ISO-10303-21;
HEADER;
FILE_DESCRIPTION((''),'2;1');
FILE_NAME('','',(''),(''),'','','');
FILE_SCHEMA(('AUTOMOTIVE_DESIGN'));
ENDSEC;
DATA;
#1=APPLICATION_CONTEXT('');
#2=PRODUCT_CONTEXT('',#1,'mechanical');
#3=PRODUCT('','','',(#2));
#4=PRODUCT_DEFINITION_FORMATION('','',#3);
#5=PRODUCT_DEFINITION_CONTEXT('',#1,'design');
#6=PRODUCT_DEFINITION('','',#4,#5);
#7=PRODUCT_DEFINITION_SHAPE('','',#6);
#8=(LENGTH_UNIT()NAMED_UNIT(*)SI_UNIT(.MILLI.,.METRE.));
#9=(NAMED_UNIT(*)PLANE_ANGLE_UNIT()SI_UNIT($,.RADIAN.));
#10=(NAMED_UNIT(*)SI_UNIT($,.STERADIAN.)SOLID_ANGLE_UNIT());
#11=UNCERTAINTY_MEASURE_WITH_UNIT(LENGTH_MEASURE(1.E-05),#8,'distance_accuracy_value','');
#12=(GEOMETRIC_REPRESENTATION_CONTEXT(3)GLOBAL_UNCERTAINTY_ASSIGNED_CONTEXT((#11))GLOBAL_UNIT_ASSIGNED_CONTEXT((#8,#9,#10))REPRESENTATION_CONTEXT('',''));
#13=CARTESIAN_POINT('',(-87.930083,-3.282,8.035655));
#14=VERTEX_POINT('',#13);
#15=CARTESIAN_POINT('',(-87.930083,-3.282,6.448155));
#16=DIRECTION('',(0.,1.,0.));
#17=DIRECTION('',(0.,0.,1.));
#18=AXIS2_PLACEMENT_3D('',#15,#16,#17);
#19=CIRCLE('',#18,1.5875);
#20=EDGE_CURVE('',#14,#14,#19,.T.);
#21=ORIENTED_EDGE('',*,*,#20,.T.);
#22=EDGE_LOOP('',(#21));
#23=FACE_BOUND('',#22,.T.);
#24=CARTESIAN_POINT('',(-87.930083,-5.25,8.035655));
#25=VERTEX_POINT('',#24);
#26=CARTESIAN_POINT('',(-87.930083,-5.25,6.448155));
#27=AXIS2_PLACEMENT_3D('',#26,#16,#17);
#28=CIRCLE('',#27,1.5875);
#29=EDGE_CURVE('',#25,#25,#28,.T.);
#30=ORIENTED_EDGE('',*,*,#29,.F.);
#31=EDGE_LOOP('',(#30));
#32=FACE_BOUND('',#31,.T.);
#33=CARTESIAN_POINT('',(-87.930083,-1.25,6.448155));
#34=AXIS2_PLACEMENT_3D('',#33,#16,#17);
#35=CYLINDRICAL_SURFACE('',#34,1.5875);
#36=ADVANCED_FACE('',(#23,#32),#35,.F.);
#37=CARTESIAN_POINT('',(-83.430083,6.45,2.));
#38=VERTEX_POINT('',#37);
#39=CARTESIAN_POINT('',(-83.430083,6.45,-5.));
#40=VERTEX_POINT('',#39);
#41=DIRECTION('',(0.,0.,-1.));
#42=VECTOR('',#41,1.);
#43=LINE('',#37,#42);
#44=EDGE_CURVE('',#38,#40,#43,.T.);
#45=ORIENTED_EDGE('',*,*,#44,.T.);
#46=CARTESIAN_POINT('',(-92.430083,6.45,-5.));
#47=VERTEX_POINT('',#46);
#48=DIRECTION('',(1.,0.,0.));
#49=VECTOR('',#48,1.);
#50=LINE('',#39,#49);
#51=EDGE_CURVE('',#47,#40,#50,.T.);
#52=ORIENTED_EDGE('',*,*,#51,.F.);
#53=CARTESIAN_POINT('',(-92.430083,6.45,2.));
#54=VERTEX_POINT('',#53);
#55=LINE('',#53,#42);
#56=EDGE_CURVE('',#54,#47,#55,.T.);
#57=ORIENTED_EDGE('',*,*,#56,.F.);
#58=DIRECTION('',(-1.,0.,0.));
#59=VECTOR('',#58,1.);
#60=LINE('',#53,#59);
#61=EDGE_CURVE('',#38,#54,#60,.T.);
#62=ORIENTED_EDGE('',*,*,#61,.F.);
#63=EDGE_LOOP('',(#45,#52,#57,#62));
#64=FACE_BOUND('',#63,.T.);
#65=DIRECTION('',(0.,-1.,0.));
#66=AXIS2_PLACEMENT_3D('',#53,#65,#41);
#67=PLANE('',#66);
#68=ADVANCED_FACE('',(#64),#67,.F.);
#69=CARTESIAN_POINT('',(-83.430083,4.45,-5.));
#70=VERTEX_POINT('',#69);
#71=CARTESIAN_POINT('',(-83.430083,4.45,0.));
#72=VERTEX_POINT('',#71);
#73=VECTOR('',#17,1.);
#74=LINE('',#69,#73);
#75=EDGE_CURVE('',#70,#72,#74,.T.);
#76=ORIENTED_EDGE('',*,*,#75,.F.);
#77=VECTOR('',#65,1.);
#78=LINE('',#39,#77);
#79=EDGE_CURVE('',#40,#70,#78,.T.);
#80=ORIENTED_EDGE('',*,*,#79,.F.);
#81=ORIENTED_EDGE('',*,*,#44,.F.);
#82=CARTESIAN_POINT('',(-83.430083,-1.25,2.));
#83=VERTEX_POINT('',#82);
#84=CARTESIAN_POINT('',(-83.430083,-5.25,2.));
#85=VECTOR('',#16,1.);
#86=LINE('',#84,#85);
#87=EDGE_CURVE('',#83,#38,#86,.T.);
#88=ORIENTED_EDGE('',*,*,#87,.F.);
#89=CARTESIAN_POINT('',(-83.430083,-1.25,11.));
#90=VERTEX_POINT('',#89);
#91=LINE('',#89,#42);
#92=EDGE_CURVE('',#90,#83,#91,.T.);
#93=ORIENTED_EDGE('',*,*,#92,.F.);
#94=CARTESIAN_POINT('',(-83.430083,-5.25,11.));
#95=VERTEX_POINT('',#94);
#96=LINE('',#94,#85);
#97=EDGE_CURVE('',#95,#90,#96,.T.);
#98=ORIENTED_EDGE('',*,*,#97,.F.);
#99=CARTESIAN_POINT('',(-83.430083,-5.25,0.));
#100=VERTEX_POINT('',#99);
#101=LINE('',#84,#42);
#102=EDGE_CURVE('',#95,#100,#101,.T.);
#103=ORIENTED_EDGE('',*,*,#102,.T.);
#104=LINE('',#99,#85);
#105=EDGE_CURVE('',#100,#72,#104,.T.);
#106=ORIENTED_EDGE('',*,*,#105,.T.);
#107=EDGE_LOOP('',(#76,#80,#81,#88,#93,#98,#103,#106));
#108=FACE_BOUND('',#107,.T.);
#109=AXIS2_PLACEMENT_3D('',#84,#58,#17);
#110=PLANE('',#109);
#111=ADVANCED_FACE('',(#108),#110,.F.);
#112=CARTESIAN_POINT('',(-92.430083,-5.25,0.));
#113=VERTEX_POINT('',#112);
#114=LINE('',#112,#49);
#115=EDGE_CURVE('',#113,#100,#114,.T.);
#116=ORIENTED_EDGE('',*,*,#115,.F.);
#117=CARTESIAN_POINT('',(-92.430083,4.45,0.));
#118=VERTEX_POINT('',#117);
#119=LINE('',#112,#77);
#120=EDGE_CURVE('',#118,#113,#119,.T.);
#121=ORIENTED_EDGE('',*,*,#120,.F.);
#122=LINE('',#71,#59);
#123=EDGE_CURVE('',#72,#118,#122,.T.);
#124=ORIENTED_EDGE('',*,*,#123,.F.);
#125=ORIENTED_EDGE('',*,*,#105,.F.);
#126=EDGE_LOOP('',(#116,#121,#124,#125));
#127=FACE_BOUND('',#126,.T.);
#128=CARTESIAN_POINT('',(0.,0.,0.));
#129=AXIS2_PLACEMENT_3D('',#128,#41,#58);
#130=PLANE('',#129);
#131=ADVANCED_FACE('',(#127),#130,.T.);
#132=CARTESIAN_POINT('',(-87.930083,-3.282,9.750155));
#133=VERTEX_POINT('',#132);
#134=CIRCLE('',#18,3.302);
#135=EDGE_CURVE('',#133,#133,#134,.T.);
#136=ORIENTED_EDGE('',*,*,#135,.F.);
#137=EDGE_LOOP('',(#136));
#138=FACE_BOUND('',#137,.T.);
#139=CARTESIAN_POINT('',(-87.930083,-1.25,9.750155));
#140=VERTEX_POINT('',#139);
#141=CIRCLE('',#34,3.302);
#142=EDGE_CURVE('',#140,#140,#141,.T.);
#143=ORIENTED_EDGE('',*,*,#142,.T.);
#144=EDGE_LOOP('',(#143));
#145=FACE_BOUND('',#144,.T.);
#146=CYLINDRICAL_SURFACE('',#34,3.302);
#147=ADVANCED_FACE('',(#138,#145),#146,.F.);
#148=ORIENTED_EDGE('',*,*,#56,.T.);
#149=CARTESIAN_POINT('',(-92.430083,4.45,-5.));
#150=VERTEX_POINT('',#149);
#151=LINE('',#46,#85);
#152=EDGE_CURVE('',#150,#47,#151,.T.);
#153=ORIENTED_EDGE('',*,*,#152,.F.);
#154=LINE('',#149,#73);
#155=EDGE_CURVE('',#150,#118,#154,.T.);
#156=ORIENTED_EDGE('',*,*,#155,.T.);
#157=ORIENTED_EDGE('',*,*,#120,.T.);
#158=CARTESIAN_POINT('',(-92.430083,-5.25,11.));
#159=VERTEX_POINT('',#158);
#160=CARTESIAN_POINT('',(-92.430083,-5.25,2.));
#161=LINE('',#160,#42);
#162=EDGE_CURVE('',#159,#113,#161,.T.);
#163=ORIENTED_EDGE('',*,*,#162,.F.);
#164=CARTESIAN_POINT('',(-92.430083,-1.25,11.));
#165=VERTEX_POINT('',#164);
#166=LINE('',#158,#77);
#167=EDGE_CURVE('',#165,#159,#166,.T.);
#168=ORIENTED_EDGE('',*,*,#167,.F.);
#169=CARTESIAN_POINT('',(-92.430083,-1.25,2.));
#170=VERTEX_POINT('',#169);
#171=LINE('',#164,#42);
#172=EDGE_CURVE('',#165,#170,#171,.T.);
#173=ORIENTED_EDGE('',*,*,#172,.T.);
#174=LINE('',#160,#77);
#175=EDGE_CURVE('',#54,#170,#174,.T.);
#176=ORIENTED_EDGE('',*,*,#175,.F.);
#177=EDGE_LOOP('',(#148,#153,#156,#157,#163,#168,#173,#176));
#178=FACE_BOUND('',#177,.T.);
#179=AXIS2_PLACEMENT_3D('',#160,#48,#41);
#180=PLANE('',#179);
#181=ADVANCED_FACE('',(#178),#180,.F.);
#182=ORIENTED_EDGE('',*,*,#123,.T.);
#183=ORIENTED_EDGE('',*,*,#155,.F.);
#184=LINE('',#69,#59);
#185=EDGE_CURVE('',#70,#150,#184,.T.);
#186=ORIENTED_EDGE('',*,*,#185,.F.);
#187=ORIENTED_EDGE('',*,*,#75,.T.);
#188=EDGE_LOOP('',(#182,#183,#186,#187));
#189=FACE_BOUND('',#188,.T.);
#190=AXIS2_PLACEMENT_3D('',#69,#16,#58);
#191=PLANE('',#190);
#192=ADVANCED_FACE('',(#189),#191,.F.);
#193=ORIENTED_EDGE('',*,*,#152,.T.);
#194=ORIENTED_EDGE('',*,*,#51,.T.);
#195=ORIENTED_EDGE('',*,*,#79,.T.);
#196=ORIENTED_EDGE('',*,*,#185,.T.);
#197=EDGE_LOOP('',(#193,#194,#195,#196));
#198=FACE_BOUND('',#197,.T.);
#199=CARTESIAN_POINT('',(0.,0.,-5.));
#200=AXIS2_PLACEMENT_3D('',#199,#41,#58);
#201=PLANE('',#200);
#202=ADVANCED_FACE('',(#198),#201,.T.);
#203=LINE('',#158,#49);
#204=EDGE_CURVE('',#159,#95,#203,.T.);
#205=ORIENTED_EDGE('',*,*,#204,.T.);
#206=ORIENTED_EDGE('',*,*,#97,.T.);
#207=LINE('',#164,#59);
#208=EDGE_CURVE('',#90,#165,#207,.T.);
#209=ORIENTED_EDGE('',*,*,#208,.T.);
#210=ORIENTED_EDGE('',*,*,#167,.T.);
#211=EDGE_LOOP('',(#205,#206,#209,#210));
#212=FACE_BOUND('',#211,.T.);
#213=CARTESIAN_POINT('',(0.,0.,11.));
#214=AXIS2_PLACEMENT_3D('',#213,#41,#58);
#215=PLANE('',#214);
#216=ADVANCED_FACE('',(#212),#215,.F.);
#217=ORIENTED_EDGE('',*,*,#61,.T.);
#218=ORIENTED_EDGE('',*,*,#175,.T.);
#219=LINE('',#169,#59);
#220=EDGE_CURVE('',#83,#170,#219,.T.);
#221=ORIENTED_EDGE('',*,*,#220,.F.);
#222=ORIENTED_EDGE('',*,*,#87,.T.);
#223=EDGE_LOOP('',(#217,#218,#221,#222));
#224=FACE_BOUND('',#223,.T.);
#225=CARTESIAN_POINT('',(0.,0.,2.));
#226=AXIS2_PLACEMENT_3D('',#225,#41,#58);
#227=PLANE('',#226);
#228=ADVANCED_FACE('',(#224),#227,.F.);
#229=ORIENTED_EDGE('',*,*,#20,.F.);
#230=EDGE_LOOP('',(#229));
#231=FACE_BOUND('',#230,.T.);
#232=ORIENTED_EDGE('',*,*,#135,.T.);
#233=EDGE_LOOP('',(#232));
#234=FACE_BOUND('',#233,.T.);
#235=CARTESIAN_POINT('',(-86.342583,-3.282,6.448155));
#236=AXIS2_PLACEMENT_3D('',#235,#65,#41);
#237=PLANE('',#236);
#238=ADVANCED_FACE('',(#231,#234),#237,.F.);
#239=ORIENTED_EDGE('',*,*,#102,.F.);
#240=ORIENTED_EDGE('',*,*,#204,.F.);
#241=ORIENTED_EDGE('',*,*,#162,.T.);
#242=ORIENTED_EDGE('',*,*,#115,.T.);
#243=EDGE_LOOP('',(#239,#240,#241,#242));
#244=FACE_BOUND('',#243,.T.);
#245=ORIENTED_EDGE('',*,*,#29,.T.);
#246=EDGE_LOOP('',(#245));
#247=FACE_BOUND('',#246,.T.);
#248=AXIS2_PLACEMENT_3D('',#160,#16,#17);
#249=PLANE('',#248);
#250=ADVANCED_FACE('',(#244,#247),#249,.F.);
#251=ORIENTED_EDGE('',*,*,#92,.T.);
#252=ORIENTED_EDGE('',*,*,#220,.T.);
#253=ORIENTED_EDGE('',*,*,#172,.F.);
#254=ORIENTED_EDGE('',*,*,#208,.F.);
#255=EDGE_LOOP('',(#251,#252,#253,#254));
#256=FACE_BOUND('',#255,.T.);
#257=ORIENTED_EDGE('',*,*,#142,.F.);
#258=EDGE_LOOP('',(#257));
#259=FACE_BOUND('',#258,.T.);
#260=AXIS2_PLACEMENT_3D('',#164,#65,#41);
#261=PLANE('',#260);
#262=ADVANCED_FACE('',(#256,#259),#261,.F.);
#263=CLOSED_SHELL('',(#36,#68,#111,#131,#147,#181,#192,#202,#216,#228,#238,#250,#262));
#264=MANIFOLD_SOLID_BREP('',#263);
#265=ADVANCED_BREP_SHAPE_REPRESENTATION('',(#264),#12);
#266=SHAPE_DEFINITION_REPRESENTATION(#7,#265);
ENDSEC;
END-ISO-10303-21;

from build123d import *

# Parameters (mm, degrees)
SKETCH1_W                                           = 9
SKETCH1_H                                           = 11.7
BOSS_EXTRUDE1_DEPTH                                 = 2
SKETCH2_W                                           = 9
SKETCH2_H                                           = 2
BOSS_EXTRUDE2_DEPTH                                 = 5
SKETCH3_W                                           = 9
SKETCH3_H                                           = 4
BOSS_EXTRUDE3_DEPTH                                 = 9
CBORE_FOR_4_BINDING_HEAD_MACHINE_SCREW1_D           = 3.175
CBORE_FOR_4_BINDING_HEAD_MACHINE_SCREW1_CBORE_D     = 6.604
CBORE_FOR_4_BINDING_HEAD_MACHINE_SCREW1_CBORE_DEPTH = 2.032


with BuildPart() as part:
    # Sketch1 → Boss-Extrude1 (new body)
    with BuildSketch(Plane.XY):
        with Locations((-87.930083344, 0.6)):
            Rectangle(SKETCH1_W, SKETCH1_H)
    extrude(amount=BOSS_EXTRUDE1_DEPTH)

    # Sketch2 → Boss-Extrude2 (add)
    with BuildSketch(Plane(origin=(0, 0, 0), x_dir=(-1, 0, 0), z_dir=(0, 0, -1))):
        with Locations((87.930083344, 5.45)):
            Rectangle(SKETCH2_W, SKETCH2_H)
    extrude(amount=BOSS_EXTRUDE2_DEPTH)

    # Sketch3 → Boss-Extrude3 (add)
    with BuildSketch(Plane.XY.offset(2)):
        with Locations((-87.930083344, -3.25)):
            Rectangle(SKETCH3_W, SKETCH3_H)
    extrude(amount=BOSS_EXTRUDE3_DEPTH)

    # CBORE for #4 Binding Head Machine Screw1 (through all)
    with Locations(Plane(origin=(0, -1.25, 0), x_dir=(1, 0, 0), z_dir=(0, 1, 0))):
        with Locations((-87.930083344, -6.448155288)):
            CounterBoreHole(CBORE_FOR_4_BINDING_HEAD_MACHINE_SCREW1_D / 2, CBORE_FOR_4_BINDING_HEAD_MACHINE_SCREW1_CBORE_D / 2, CBORE_FOR_4_BINDING_HEAD_MACHINE_SCREW1_CBORE_DEPTH)


solid = part.part
